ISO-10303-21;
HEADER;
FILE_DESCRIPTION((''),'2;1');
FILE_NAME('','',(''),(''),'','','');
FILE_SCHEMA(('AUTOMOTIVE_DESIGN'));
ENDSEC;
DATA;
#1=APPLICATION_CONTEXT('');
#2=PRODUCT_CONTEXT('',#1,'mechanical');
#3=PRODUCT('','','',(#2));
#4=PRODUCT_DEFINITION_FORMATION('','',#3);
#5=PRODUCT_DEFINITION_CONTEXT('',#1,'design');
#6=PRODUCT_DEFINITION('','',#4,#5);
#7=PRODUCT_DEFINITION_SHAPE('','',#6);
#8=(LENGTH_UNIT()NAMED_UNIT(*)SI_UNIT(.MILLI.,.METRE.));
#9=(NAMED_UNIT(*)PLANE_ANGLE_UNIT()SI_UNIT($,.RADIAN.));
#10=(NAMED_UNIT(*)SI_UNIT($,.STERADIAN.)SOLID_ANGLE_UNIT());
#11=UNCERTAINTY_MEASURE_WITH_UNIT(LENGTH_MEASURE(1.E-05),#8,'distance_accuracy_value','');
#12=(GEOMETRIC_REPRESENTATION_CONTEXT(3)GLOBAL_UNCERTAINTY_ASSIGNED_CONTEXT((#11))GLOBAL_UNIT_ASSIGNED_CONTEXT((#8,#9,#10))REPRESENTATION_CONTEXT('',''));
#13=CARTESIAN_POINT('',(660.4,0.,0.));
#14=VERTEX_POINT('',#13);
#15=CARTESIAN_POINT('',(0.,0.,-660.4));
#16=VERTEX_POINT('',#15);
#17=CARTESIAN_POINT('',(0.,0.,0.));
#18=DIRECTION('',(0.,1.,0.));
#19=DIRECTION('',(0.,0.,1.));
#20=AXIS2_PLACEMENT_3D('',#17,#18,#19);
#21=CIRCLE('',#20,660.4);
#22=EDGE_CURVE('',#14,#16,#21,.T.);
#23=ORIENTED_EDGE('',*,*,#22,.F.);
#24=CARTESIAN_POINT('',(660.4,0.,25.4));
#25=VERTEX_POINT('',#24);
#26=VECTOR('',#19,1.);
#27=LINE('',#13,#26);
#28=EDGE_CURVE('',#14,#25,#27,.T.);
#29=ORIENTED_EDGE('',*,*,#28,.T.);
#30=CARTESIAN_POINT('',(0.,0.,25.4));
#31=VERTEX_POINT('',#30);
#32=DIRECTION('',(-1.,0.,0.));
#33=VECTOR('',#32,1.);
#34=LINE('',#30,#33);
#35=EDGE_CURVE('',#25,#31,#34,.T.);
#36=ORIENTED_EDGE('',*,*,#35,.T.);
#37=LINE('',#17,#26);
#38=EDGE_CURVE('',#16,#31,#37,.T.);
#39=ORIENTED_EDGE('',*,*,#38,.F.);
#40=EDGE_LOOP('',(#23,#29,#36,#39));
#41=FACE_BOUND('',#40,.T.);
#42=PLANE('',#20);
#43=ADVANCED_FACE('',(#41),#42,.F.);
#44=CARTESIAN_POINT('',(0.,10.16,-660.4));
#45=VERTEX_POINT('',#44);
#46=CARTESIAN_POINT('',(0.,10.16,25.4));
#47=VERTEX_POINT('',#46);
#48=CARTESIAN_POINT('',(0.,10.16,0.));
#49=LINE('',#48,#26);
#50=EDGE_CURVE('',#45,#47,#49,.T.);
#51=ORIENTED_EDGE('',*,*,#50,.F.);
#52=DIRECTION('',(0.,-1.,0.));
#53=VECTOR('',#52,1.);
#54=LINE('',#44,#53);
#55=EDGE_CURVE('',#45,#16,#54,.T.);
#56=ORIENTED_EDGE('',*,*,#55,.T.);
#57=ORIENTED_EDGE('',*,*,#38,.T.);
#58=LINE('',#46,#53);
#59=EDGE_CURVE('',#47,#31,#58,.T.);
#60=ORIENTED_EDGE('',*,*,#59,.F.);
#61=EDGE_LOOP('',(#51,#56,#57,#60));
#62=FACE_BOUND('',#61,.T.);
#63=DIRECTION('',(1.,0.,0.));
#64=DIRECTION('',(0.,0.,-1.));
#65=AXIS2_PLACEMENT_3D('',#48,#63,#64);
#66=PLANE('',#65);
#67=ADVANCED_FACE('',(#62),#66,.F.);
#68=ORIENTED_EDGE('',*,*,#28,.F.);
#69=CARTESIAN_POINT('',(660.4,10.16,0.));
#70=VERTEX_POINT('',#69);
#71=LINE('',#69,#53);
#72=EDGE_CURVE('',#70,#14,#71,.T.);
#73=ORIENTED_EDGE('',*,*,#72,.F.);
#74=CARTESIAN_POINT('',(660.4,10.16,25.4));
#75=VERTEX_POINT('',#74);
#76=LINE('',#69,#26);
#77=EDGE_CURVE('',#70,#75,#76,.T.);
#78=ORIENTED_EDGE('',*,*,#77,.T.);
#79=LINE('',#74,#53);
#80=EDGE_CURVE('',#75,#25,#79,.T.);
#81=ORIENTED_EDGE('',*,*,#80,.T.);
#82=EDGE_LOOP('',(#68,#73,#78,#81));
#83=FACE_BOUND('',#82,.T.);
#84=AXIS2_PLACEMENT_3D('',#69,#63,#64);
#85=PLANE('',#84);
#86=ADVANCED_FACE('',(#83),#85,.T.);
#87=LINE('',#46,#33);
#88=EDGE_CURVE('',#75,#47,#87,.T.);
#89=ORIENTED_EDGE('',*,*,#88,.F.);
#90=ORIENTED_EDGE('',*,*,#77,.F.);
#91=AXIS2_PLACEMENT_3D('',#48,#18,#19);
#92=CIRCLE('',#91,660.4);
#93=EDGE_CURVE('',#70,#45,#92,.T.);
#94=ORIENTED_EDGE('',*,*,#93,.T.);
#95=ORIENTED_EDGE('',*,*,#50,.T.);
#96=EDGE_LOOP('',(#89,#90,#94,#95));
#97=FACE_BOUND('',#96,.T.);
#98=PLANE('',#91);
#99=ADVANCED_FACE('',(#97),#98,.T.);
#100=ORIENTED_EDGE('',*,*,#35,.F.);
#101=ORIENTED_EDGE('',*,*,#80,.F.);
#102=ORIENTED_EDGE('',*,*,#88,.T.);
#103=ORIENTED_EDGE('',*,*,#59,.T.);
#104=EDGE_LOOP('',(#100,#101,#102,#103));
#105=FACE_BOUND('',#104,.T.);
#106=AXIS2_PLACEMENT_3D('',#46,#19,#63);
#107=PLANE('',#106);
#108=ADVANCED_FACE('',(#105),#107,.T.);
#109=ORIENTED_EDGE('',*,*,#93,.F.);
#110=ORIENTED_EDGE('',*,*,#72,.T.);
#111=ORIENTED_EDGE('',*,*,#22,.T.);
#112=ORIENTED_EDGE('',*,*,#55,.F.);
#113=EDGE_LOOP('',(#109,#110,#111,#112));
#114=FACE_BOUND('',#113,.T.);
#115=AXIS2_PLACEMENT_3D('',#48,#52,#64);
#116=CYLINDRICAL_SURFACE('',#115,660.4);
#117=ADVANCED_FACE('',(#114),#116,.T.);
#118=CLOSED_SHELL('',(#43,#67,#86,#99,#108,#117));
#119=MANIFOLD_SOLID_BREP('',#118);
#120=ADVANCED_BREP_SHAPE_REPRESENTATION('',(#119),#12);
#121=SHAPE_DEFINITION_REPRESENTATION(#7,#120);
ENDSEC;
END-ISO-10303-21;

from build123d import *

# Parameters (mm, degrees)
BOSS_EXTRUDE1_DEPTH = 10.16


with BuildPart() as part:
    # Sketch2 → Boss-Extrude1 (new body)
    with BuildSketch(Plane(origin=(0, 0, 0), x_dir=(1, 0, 0), z_dir=(0, 1, 0))):
        with BuildLine():
            Line((0, 660.4), (0, -25.4))
            Line((0, -25.4), (660.4, -25.4))
            Line((660.4, -25.4), (660.4, 0))
            ThreePointArc((660.4, 0), (466.973318296, 466.973318296), (0, 660.4))
        make_face()
    extrude(amount=BOSS_EXTRUDE1_DEPTH)


solid = part.part
